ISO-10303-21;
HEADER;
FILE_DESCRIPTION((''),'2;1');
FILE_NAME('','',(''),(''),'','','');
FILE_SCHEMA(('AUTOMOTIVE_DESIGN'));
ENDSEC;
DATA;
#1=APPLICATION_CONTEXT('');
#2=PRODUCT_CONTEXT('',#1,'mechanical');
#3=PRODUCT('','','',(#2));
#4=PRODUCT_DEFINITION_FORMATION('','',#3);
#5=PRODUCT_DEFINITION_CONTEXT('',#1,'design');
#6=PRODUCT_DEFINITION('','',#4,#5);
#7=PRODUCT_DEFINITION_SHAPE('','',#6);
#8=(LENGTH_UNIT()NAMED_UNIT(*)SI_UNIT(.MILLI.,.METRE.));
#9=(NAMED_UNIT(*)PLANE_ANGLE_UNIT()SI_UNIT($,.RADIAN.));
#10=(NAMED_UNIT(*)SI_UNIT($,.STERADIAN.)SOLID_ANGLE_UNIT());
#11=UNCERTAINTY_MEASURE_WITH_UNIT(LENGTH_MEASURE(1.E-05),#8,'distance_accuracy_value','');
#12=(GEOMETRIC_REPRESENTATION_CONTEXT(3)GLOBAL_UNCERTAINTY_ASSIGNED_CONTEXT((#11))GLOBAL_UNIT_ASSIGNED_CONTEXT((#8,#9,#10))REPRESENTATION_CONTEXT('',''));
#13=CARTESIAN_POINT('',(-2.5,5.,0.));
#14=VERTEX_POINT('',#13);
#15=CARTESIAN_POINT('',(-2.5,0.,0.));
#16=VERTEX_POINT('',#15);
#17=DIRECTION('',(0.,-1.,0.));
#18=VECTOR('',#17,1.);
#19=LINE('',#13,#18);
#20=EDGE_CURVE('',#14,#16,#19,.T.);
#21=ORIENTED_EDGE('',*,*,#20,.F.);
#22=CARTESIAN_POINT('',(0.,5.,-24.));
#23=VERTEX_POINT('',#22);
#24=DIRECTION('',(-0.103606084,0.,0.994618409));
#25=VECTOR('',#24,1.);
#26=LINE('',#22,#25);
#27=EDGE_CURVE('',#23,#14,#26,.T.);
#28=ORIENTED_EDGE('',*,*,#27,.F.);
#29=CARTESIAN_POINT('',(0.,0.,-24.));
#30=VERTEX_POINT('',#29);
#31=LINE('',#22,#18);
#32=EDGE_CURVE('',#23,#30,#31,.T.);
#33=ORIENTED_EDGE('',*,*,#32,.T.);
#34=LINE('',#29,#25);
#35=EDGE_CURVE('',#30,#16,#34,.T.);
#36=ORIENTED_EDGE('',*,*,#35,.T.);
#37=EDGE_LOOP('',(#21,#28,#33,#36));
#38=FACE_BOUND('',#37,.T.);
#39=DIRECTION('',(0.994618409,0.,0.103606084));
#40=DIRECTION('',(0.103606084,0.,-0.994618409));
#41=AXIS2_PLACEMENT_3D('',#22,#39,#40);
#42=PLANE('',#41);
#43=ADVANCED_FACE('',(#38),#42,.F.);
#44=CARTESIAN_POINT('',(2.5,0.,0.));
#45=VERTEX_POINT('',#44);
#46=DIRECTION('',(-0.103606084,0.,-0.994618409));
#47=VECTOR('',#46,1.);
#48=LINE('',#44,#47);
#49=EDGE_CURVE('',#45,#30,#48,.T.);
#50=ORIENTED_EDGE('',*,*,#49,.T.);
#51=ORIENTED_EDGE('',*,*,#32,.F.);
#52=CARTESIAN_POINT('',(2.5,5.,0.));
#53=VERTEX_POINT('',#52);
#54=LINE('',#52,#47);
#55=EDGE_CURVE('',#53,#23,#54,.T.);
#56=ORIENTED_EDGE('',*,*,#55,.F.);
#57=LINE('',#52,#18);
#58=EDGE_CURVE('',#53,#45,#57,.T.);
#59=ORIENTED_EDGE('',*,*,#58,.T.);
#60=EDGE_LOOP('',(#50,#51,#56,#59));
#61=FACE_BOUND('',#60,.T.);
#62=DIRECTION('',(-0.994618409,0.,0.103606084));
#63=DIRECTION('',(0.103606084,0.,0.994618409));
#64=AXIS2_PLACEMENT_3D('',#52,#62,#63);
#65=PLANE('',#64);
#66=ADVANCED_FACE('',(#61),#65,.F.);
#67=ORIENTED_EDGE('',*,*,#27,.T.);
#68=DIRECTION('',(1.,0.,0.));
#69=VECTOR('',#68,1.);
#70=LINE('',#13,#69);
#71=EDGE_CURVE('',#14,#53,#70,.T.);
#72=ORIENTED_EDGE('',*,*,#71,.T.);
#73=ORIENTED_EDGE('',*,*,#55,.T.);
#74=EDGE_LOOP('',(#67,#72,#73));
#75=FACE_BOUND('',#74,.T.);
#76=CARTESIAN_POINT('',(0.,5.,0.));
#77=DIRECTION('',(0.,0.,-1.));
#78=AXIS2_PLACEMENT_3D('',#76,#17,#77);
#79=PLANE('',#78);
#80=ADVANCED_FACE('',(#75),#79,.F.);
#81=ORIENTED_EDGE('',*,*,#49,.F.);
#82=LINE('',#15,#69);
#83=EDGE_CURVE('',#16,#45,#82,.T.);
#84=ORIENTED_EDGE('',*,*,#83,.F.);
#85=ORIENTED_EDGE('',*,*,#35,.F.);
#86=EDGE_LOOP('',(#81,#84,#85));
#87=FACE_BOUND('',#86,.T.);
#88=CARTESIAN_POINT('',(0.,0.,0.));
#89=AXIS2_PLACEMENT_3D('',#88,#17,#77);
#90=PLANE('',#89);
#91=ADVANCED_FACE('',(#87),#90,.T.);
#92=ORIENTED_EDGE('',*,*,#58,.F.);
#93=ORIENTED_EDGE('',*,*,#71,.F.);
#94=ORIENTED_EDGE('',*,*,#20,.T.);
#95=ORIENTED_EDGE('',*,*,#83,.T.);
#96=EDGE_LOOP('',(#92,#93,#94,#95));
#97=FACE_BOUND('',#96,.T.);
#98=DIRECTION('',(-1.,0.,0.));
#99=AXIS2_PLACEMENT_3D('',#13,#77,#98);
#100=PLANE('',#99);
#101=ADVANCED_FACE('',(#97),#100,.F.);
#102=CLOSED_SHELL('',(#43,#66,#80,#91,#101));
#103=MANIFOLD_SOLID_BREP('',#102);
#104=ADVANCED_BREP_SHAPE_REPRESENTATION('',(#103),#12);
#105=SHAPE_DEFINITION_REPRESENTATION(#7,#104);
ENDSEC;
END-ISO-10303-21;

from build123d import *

# Parameters (mm, degrees)
BOSS_EXTRUDE1_DEPTH = 5


with BuildPart() as part:
    # Sketch1 → Boss-Extrude1 (new body)
    with BuildSketch(Plane(origin=(0, 0, 0), x_dir=(1, 0, 0), z_dir=(0, 1, 0))):
        Polygon((0, 24), (-2.5, 0), (2.5, 0), align=None)
    extrude(amount=BOSS_EXTRUDE1_DEPTH)


solid = part.part
